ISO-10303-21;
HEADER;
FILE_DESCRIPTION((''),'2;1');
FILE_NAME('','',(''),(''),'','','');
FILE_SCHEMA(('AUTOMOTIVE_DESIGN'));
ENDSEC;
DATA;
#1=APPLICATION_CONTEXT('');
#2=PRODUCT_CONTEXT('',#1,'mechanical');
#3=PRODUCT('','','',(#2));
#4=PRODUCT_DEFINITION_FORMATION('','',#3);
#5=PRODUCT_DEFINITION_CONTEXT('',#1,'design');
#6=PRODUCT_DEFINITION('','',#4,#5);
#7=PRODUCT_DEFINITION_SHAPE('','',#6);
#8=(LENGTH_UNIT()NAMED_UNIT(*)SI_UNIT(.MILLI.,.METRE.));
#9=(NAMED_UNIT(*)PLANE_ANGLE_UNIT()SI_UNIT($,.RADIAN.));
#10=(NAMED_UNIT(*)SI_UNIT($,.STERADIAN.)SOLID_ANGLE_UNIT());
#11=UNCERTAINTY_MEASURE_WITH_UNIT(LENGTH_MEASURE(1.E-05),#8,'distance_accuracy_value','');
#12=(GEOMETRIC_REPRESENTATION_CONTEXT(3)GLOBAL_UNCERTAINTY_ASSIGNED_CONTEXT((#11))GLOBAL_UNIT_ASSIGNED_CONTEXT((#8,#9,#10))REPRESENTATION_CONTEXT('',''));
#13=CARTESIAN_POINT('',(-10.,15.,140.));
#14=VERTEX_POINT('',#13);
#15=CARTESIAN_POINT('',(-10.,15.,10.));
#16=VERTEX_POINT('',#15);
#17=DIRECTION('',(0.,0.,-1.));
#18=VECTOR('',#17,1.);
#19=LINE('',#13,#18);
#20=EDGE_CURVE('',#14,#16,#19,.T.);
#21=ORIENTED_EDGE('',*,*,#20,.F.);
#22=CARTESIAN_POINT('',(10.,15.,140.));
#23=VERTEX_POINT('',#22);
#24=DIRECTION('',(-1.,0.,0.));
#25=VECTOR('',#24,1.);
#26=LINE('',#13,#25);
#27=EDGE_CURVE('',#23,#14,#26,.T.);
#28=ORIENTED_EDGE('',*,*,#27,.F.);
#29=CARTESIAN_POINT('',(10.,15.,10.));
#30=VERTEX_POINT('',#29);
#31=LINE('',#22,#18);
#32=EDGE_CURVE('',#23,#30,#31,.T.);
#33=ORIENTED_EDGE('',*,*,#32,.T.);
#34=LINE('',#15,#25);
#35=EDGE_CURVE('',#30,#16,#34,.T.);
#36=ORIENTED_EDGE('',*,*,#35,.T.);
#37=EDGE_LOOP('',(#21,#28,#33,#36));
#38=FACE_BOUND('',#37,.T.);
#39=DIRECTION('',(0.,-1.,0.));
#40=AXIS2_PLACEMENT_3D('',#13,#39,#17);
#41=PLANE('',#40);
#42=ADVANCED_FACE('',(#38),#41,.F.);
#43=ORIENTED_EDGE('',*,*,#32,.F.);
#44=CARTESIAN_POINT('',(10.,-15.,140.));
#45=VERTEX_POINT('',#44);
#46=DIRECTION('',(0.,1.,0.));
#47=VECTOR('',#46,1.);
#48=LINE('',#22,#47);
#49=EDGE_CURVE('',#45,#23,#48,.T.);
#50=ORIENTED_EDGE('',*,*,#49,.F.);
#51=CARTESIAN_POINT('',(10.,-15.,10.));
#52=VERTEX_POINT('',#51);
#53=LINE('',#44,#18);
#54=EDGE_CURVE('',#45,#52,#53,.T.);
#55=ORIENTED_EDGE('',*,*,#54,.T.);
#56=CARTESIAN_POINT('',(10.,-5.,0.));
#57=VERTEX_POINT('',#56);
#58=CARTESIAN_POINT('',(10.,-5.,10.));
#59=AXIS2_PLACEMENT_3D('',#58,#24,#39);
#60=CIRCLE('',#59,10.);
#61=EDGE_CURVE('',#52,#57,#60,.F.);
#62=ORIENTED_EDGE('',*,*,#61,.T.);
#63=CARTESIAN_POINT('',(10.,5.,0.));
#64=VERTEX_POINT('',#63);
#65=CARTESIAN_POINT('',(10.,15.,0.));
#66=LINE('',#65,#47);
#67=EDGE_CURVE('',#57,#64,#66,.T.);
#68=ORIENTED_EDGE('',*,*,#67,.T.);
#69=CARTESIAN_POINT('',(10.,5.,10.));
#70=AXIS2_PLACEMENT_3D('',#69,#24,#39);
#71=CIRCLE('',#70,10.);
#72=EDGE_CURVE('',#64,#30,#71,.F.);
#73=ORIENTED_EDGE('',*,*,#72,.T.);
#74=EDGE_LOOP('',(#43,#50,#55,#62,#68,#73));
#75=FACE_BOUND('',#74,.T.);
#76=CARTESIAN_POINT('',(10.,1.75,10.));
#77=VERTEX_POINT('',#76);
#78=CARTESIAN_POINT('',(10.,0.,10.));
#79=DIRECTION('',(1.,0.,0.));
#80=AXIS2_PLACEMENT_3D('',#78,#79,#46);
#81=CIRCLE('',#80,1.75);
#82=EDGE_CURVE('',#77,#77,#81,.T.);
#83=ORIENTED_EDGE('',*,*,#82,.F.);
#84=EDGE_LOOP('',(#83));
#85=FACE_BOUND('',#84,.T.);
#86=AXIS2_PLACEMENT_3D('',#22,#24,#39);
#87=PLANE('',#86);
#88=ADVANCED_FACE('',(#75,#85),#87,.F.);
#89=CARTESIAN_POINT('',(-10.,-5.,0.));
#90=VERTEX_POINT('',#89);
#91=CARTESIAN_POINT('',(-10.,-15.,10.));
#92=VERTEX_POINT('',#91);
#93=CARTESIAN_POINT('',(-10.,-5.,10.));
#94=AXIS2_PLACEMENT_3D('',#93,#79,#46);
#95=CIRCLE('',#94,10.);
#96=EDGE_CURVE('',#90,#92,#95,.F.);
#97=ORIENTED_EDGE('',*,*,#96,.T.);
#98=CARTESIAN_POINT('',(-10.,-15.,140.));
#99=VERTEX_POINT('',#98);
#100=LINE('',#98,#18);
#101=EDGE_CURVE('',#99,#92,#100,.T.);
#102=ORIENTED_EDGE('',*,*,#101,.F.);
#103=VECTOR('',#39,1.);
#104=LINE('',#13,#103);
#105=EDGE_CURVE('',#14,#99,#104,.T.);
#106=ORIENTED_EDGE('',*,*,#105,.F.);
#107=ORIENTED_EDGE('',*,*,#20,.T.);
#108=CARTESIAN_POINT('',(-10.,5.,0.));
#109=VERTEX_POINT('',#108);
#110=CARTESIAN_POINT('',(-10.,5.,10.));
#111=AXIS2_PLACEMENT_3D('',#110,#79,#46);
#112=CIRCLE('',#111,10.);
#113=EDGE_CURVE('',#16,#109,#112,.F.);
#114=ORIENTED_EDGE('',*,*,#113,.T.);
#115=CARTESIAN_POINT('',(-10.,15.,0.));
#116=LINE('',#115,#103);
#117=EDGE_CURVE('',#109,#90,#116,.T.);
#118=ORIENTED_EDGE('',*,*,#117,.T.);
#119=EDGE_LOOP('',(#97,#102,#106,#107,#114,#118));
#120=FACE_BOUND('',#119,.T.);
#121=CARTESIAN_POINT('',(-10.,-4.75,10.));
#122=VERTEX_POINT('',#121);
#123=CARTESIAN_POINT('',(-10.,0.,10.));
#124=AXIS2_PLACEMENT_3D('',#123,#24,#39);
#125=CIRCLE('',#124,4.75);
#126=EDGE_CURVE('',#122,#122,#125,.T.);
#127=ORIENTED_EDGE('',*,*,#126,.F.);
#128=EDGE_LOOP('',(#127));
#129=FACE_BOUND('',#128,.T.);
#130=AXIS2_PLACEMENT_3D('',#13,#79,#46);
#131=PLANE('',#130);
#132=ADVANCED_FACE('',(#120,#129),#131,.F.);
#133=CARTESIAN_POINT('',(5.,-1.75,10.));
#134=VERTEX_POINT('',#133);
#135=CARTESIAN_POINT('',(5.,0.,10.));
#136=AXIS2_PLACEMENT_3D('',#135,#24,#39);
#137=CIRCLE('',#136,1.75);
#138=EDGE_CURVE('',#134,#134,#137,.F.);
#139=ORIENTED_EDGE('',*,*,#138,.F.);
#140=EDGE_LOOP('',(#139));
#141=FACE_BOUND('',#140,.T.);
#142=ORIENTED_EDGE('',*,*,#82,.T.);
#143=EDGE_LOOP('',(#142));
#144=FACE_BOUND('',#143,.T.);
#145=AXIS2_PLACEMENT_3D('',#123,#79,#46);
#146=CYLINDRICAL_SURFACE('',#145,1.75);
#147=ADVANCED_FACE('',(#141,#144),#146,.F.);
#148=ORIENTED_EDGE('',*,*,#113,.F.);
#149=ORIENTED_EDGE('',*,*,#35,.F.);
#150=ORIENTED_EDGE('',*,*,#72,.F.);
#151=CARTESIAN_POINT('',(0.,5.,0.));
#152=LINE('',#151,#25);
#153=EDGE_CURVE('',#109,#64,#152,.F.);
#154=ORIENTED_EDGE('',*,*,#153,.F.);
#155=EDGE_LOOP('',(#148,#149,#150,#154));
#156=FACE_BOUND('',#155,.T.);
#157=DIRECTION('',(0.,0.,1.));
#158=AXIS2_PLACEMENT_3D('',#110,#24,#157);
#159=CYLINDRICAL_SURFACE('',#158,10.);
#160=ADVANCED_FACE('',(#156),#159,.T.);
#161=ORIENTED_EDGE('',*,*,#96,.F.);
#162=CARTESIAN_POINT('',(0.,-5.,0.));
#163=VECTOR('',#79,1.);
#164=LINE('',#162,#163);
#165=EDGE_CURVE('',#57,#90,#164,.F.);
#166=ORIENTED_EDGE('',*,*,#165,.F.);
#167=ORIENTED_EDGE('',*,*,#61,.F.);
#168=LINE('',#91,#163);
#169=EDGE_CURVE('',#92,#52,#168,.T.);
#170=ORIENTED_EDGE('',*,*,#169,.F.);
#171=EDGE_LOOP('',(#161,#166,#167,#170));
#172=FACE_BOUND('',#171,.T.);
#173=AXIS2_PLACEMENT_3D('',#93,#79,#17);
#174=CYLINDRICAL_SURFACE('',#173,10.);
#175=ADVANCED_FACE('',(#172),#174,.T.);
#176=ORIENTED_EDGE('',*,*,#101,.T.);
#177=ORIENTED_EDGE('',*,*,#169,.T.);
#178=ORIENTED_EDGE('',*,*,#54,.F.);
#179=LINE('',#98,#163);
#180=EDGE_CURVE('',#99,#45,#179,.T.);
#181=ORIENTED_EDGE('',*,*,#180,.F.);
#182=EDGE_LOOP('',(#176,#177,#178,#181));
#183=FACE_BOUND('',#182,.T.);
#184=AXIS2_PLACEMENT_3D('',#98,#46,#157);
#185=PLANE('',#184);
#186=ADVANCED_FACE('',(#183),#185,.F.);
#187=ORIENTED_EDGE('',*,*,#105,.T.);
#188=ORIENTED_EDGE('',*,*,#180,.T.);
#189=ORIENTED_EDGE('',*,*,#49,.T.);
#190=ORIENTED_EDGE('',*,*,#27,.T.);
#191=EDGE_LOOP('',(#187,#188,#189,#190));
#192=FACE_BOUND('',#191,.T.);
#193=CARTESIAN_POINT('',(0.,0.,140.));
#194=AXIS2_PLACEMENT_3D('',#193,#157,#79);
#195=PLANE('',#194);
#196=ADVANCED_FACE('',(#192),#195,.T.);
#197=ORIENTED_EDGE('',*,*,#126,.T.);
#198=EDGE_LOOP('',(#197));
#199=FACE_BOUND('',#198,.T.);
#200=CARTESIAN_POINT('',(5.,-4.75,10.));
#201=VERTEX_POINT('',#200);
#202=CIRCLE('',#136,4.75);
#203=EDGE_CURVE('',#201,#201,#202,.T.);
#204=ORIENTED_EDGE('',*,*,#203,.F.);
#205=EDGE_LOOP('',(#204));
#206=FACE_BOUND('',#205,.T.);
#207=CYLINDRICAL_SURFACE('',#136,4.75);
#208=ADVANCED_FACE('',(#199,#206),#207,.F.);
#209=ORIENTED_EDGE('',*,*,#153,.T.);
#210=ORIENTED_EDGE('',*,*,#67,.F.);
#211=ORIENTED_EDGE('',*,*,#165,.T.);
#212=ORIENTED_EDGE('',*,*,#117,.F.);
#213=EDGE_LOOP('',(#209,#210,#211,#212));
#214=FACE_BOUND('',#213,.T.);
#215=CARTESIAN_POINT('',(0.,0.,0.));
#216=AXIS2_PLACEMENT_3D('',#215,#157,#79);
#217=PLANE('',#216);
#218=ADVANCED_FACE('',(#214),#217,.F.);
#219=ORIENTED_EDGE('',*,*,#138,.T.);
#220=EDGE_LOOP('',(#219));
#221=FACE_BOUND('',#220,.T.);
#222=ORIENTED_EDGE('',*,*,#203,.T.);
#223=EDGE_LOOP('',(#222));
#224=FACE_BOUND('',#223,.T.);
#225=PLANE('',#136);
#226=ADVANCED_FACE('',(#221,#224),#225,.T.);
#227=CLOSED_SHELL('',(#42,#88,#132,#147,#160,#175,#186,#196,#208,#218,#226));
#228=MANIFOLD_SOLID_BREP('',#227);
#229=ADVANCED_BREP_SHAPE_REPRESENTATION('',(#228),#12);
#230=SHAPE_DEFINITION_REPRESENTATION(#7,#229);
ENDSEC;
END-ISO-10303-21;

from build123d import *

# Parameters (mm, degrees)
SKETCH1_W           = 20
SKETCH1_H           = 30
BOSS_EXTRUDE1_DEPTH = 140
FILLET1_R           = 10
SKETCH2_R           = 1.75
CUT_EXTRUDE1_DEPTH  = 143.214626533
SKETCH3_R           = 4.75
CUT_EXTRUDE2_DEPTH  = 15


with BuildPart() as part:
    # Sketch1 → Boss-Extrude1 (new body)
    with BuildSketch(Plane.XY):
        Rectangle(SKETCH1_W, SKETCH1_H)
    extrude(amount=BOSS_EXTRUDE1_DEPTH)

    # Fillet1
    fillet1_edges = [part.edges().sort_by_distance(p)[0] for p in [
        (0, -15, 0),
        (0, 15, 0),
    ]]
    fillet(fillet1_edges, radius=FILLET1_R)

    # Sketch2 → Cut-Extrude1 (cut, through all)
    with BuildSketch(Plane(origin=(10, 0, 0), x_dir=(0, 0, -1), z_dir=(1, 0, 0))):
        with Locations(Location((-10, 0, 0), (0, 0, 90))):
            Circle(SKETCH2_R)
    extrude(amount=-CUT_EXTRUDE1_DEPTH, mode=Mode.SUBTRACT)

    # Sketch3 → Cut-Extrude2 (cut)
    with BuildSketch(Plane.ZY.offset(10)):
        with Locations(Location((10, 0, 0), (0, 0, 270))):
            Circle(SKETCH3_R)
    extrude(amount=-CUT_EXTRUDE2_DEPTH, mode=Mode.SUBTRACT)


solid = part.part
